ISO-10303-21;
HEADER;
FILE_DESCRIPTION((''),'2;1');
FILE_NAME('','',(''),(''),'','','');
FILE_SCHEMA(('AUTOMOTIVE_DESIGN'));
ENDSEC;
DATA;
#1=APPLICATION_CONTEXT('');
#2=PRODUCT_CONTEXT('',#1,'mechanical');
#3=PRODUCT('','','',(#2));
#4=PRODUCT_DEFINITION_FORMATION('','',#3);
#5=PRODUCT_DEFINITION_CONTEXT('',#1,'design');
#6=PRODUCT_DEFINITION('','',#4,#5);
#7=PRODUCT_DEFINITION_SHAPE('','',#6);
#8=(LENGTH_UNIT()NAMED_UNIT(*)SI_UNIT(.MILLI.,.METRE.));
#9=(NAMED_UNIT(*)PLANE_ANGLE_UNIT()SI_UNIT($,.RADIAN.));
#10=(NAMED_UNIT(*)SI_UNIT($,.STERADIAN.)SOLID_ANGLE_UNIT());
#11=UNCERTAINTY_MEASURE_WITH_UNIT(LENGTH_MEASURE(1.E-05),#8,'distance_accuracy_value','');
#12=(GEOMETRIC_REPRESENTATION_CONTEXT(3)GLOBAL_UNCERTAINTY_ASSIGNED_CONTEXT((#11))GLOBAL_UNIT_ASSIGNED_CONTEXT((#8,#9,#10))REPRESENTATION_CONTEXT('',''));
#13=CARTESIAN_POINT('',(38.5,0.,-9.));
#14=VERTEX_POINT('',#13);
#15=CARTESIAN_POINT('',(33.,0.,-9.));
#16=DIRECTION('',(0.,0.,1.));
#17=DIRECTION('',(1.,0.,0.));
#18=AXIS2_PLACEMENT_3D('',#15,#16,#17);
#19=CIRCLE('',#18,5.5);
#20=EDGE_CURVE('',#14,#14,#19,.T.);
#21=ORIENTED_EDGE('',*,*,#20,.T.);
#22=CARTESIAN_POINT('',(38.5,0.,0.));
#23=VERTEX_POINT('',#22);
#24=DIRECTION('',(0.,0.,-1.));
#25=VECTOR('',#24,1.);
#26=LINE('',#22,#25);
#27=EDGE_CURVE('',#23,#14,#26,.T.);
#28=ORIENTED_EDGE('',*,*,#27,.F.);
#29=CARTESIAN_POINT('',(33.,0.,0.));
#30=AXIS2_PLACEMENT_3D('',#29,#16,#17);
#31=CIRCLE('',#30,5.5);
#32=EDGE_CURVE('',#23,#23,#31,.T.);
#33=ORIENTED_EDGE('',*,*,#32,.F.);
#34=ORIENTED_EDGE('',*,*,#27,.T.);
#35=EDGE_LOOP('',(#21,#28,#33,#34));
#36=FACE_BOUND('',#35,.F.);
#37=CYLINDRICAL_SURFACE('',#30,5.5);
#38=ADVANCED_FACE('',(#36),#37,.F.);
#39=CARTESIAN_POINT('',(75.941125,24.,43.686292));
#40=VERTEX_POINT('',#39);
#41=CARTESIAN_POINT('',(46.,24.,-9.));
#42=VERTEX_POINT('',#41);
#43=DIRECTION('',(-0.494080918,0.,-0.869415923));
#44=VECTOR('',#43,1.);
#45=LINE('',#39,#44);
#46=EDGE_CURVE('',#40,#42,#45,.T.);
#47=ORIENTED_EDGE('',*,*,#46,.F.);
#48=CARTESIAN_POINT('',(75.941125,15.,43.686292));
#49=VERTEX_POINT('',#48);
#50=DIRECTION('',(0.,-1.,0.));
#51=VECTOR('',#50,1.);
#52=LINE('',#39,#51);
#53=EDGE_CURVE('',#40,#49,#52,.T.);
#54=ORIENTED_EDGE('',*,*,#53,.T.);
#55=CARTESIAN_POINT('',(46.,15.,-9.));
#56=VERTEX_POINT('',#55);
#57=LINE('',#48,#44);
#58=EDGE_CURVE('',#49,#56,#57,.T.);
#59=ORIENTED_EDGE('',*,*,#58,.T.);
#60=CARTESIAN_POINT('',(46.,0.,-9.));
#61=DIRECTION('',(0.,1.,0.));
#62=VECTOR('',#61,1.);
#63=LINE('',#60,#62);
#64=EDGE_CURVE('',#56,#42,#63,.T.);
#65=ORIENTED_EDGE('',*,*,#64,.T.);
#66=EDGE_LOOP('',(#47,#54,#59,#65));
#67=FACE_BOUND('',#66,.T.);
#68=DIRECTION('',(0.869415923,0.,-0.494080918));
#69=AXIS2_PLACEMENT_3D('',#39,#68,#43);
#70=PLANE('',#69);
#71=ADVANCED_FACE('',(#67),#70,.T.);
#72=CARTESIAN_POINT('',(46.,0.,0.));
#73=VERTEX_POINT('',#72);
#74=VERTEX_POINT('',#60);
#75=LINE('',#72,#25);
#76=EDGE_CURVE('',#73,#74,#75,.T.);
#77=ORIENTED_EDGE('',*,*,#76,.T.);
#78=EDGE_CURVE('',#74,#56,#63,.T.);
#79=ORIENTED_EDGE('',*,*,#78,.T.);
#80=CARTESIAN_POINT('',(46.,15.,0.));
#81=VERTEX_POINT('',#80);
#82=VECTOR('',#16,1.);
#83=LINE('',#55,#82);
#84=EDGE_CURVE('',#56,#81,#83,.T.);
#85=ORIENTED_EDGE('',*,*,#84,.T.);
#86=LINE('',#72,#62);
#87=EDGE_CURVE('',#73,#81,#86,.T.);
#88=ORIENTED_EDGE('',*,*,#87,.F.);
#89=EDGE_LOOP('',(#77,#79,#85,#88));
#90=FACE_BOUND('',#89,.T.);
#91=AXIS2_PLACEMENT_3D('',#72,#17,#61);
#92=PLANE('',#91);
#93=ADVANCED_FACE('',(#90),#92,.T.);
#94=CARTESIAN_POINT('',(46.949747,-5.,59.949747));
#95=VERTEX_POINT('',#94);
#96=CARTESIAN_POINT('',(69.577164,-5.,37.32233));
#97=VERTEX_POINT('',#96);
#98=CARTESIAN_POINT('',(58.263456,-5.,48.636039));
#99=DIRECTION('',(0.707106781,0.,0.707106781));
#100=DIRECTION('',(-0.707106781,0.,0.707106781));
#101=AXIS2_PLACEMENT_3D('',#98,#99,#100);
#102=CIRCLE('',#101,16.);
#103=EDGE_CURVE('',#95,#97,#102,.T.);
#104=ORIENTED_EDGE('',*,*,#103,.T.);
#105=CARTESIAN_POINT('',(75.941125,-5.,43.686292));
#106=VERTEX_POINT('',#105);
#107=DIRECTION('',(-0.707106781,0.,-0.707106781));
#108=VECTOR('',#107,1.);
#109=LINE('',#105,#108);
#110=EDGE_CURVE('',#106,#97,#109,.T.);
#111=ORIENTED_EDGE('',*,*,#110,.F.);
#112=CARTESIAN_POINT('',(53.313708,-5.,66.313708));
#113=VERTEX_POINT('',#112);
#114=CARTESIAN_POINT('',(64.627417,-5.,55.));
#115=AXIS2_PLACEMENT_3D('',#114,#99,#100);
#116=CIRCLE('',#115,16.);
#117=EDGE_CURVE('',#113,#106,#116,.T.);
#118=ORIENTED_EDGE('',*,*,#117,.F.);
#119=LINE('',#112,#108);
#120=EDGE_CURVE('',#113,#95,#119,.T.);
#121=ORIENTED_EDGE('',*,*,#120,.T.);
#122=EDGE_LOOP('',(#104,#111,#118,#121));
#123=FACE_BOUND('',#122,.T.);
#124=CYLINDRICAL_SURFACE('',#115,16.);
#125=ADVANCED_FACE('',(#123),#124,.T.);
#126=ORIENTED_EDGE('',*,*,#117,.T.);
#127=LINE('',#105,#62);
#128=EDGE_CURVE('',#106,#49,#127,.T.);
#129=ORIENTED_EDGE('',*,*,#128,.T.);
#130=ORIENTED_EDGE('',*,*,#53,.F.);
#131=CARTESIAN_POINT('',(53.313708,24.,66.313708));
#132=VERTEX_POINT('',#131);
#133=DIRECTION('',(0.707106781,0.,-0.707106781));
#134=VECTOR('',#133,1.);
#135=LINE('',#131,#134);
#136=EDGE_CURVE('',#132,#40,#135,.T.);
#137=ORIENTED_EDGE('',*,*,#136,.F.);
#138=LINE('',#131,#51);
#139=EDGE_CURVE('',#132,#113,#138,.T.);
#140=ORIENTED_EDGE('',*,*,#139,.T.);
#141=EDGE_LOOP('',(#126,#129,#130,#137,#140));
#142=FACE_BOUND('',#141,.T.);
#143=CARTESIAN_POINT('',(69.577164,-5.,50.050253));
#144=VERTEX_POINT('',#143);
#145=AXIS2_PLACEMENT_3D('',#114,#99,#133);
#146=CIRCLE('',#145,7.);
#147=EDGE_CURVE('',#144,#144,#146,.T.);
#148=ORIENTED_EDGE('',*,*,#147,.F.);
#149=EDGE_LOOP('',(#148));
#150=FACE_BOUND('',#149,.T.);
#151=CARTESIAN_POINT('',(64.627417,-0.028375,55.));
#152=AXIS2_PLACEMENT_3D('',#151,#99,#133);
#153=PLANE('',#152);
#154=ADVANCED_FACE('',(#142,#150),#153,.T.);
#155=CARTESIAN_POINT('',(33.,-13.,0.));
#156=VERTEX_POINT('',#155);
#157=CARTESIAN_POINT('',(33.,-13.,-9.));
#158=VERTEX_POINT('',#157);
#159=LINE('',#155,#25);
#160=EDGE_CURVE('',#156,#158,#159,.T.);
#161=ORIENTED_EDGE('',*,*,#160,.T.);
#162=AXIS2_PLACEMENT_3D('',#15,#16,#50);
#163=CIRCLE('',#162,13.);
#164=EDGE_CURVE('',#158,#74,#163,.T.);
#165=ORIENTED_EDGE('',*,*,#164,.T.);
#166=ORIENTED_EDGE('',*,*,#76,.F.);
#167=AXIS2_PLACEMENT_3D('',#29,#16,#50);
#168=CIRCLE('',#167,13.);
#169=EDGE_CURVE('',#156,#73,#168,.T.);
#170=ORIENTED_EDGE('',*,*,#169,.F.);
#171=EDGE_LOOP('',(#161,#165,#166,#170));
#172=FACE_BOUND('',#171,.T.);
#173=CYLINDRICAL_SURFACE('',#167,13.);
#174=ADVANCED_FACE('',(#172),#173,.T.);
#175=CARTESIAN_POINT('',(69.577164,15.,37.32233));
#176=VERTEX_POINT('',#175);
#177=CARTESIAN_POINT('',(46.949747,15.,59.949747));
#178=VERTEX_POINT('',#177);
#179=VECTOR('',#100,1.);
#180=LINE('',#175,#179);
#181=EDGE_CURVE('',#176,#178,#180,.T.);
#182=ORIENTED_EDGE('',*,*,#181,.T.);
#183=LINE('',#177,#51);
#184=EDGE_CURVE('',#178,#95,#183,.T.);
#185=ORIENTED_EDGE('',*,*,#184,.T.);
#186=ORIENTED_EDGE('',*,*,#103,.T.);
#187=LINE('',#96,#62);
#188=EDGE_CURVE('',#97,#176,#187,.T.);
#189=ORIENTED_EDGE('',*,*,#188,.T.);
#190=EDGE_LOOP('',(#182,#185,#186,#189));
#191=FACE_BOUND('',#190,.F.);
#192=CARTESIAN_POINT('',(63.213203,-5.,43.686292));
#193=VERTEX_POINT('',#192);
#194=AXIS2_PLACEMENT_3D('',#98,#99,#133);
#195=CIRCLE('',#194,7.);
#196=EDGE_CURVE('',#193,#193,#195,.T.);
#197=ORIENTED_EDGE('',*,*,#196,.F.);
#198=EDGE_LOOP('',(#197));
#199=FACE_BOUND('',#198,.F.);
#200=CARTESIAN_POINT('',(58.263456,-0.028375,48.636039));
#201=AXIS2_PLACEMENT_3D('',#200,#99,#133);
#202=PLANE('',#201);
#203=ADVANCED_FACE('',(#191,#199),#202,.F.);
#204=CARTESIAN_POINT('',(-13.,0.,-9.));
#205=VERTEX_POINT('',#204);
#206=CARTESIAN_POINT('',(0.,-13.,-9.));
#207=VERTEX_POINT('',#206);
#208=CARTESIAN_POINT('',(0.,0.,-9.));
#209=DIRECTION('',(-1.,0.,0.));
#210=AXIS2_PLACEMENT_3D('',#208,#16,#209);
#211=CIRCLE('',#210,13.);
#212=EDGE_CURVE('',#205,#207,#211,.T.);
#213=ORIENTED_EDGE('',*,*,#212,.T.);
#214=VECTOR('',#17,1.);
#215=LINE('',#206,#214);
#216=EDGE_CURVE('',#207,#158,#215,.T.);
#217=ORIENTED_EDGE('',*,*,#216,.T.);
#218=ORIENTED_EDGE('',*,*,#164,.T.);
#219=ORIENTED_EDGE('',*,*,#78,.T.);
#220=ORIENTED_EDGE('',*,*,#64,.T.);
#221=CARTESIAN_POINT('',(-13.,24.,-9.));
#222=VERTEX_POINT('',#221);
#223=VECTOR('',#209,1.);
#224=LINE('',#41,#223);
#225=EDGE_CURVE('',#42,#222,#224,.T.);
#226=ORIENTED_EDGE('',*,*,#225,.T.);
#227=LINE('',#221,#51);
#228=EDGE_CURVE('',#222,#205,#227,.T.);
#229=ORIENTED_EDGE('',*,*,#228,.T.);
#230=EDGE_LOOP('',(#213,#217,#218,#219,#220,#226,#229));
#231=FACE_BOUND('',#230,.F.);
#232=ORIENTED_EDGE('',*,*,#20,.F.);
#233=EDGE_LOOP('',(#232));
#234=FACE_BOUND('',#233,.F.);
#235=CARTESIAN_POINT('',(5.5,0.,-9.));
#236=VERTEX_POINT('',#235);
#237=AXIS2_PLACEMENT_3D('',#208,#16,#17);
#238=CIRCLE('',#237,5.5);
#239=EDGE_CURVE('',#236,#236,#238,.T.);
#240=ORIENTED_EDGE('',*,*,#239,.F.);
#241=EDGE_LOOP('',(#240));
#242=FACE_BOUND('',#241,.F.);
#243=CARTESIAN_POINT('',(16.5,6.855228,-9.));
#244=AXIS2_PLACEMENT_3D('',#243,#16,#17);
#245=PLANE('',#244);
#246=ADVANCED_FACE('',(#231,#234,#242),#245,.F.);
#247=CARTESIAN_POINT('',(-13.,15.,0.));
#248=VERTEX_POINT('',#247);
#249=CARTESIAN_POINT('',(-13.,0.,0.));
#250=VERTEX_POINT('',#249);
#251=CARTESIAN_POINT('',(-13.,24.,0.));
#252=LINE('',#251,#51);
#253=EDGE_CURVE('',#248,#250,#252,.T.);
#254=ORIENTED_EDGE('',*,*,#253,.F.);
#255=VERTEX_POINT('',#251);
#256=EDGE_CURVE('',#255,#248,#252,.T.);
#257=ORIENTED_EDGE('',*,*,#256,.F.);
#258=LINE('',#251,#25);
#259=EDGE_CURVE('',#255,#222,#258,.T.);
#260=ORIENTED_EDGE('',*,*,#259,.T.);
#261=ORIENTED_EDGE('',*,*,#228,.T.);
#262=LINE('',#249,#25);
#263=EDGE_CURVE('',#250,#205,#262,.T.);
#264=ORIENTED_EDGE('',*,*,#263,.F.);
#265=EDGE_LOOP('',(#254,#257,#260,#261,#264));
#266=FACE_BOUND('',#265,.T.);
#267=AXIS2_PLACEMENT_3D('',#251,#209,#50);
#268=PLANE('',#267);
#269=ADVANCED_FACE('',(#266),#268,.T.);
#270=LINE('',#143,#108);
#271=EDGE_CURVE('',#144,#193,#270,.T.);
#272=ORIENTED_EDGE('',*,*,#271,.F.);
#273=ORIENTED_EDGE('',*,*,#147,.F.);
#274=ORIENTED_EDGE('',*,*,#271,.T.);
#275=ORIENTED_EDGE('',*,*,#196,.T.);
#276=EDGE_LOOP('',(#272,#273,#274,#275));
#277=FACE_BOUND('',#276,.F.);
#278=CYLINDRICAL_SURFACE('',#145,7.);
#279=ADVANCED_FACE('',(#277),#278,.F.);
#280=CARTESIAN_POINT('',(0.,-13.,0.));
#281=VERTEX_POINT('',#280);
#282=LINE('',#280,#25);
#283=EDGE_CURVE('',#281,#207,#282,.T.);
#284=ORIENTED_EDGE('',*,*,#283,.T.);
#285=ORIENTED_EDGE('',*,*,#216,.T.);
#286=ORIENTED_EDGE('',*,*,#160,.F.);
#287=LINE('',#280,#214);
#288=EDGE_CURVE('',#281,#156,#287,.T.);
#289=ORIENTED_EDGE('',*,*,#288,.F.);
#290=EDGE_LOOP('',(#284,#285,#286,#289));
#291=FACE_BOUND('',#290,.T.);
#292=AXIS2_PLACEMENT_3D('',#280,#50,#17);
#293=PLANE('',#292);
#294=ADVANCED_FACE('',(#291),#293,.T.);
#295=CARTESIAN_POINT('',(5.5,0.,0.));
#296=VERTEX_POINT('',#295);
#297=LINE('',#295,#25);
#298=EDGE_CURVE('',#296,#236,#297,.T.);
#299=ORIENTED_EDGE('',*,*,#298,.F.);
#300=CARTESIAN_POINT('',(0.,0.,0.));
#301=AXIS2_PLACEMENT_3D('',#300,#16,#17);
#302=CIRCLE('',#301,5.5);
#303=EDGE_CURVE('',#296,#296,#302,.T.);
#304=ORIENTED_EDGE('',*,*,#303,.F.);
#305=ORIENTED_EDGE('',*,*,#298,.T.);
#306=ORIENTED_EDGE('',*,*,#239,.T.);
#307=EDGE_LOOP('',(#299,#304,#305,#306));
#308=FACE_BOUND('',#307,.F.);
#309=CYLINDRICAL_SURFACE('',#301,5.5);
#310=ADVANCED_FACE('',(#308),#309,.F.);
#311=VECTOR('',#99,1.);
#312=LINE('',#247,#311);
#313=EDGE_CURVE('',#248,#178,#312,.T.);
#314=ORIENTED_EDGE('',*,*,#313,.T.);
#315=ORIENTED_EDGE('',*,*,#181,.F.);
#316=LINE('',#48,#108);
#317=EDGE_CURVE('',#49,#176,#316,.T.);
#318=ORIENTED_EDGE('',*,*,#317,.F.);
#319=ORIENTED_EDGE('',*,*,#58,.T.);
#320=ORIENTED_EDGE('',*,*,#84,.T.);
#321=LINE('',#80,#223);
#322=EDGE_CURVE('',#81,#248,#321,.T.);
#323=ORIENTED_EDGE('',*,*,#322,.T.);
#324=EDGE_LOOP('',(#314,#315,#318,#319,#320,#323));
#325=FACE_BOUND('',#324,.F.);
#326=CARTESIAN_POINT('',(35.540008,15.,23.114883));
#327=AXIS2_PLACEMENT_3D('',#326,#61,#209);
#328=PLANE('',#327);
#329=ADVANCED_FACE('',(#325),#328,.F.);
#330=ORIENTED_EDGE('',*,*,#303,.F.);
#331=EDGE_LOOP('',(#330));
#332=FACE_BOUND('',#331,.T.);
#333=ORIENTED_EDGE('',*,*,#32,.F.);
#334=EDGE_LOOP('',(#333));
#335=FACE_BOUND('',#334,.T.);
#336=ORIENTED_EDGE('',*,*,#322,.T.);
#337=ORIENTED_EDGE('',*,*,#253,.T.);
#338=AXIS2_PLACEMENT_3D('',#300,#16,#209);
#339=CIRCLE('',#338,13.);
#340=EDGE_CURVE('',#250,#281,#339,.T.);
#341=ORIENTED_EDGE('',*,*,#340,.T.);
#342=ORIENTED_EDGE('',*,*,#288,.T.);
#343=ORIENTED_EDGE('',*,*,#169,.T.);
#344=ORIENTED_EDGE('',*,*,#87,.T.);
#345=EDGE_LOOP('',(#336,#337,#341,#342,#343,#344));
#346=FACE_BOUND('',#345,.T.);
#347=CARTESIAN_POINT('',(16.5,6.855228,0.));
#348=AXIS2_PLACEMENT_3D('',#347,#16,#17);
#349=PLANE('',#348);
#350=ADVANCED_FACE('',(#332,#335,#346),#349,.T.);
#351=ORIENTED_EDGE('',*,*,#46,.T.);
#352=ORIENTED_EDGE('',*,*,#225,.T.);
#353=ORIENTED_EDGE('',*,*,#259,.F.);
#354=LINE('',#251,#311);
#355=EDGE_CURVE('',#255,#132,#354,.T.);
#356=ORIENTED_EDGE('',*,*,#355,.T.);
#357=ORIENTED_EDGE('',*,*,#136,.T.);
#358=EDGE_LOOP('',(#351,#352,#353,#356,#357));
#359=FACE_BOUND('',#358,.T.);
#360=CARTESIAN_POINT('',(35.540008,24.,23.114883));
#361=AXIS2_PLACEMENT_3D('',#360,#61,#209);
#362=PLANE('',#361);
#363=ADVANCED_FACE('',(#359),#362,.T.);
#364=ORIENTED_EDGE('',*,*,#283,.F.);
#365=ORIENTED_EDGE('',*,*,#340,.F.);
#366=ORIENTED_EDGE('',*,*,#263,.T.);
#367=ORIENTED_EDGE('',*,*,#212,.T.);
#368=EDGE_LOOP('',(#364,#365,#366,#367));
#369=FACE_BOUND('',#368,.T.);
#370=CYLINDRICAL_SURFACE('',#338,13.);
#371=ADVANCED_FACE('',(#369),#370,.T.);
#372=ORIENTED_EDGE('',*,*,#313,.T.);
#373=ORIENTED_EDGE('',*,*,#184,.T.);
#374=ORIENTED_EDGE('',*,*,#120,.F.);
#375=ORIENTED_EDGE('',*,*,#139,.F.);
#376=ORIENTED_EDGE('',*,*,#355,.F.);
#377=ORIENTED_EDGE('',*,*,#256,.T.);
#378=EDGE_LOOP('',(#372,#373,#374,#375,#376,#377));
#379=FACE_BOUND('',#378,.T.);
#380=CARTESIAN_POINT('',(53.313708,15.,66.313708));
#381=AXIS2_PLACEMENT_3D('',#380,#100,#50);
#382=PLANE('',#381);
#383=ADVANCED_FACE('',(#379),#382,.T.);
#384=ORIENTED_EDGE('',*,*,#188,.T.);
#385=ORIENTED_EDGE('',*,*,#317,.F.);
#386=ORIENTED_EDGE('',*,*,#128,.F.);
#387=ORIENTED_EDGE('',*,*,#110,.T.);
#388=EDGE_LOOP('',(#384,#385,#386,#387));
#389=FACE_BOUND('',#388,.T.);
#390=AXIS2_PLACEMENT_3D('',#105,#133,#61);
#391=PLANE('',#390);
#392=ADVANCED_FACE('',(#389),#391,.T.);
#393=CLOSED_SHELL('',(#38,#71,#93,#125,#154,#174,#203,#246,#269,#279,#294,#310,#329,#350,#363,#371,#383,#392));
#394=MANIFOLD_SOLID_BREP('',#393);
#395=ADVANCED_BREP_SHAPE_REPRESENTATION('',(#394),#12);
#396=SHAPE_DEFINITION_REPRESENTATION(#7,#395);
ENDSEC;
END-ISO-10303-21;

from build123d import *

# Parameters (mm, degrees)
F0_R     = 5.5
F1_DEPTH = 9
F3_DEPTH = 9
F4_R     = 7
F5_DEPTH = 9


with BuildPart() as f1:
    # F0 (on Top) → F1 (new body)
    with BuildSketch(Plane.XY):
        with BuildLine():
            Line((46, 24), (-13, 24))
            Line((-13, 24), (-13, 0))
            ThreePointArc((-13, 0), (-9.1923881554, -9.1923881554), (0, -13))
            Line((0, -13), (33, -13))
            ThreePointArc((33, -13), (42.1923881554, -9.1923881554), (46, 0))
            Line((46, 0), (46, 24))
        make_face()
        Circle(F0_R, mode=Mode.SUBTRACT)
        with Locations((33, 0)):
            Circle(F0_R, mode=Mode.SUBTRACT)
    extrude(amount=-F1_DEPTH)

    # F2 (on face) → F3 (join)
    with BuildSketch(Plane(origin=(0, 24, 0), x_dir=(-1, 0, 0), z_dir=(0, 1, 0))):
        Polygon((-75.941125497, 43.686291501), (-46, -9), (-46, 0), (13, 0), (-53.313708499, 66.313708499), align=None)
    extrude(amount=-F3_DEPTH)

    # F4 (on face) → F5 (join)
    with BuildSketch(Plane(origin=(59.813708499, 0, 59.813708499), x_dir=(0.7071067812, 0, -0.7071067812), z_dir=(0.7071067812, 0, 0.7071067812))):
        with BuildLine():
            Line((22.8076118446, -5), (22.8076118446, 15))
            Line((22.8076118446, 15), (-9.1923881554, 15))
            Line((-9.1923881554, 15), (-9.1923881554, -5))
            ThreePointArc((-9.1923881554, -5), (6.8076118446, -21), (22.8076118446, -5))
        make_face()
        with Locations((6.8076118446, -5)):
            Circle(F4_R, mode=Mode.SUBTRACT)
    extrude(amount=-F5_DEPTH)


solid = f1.part
